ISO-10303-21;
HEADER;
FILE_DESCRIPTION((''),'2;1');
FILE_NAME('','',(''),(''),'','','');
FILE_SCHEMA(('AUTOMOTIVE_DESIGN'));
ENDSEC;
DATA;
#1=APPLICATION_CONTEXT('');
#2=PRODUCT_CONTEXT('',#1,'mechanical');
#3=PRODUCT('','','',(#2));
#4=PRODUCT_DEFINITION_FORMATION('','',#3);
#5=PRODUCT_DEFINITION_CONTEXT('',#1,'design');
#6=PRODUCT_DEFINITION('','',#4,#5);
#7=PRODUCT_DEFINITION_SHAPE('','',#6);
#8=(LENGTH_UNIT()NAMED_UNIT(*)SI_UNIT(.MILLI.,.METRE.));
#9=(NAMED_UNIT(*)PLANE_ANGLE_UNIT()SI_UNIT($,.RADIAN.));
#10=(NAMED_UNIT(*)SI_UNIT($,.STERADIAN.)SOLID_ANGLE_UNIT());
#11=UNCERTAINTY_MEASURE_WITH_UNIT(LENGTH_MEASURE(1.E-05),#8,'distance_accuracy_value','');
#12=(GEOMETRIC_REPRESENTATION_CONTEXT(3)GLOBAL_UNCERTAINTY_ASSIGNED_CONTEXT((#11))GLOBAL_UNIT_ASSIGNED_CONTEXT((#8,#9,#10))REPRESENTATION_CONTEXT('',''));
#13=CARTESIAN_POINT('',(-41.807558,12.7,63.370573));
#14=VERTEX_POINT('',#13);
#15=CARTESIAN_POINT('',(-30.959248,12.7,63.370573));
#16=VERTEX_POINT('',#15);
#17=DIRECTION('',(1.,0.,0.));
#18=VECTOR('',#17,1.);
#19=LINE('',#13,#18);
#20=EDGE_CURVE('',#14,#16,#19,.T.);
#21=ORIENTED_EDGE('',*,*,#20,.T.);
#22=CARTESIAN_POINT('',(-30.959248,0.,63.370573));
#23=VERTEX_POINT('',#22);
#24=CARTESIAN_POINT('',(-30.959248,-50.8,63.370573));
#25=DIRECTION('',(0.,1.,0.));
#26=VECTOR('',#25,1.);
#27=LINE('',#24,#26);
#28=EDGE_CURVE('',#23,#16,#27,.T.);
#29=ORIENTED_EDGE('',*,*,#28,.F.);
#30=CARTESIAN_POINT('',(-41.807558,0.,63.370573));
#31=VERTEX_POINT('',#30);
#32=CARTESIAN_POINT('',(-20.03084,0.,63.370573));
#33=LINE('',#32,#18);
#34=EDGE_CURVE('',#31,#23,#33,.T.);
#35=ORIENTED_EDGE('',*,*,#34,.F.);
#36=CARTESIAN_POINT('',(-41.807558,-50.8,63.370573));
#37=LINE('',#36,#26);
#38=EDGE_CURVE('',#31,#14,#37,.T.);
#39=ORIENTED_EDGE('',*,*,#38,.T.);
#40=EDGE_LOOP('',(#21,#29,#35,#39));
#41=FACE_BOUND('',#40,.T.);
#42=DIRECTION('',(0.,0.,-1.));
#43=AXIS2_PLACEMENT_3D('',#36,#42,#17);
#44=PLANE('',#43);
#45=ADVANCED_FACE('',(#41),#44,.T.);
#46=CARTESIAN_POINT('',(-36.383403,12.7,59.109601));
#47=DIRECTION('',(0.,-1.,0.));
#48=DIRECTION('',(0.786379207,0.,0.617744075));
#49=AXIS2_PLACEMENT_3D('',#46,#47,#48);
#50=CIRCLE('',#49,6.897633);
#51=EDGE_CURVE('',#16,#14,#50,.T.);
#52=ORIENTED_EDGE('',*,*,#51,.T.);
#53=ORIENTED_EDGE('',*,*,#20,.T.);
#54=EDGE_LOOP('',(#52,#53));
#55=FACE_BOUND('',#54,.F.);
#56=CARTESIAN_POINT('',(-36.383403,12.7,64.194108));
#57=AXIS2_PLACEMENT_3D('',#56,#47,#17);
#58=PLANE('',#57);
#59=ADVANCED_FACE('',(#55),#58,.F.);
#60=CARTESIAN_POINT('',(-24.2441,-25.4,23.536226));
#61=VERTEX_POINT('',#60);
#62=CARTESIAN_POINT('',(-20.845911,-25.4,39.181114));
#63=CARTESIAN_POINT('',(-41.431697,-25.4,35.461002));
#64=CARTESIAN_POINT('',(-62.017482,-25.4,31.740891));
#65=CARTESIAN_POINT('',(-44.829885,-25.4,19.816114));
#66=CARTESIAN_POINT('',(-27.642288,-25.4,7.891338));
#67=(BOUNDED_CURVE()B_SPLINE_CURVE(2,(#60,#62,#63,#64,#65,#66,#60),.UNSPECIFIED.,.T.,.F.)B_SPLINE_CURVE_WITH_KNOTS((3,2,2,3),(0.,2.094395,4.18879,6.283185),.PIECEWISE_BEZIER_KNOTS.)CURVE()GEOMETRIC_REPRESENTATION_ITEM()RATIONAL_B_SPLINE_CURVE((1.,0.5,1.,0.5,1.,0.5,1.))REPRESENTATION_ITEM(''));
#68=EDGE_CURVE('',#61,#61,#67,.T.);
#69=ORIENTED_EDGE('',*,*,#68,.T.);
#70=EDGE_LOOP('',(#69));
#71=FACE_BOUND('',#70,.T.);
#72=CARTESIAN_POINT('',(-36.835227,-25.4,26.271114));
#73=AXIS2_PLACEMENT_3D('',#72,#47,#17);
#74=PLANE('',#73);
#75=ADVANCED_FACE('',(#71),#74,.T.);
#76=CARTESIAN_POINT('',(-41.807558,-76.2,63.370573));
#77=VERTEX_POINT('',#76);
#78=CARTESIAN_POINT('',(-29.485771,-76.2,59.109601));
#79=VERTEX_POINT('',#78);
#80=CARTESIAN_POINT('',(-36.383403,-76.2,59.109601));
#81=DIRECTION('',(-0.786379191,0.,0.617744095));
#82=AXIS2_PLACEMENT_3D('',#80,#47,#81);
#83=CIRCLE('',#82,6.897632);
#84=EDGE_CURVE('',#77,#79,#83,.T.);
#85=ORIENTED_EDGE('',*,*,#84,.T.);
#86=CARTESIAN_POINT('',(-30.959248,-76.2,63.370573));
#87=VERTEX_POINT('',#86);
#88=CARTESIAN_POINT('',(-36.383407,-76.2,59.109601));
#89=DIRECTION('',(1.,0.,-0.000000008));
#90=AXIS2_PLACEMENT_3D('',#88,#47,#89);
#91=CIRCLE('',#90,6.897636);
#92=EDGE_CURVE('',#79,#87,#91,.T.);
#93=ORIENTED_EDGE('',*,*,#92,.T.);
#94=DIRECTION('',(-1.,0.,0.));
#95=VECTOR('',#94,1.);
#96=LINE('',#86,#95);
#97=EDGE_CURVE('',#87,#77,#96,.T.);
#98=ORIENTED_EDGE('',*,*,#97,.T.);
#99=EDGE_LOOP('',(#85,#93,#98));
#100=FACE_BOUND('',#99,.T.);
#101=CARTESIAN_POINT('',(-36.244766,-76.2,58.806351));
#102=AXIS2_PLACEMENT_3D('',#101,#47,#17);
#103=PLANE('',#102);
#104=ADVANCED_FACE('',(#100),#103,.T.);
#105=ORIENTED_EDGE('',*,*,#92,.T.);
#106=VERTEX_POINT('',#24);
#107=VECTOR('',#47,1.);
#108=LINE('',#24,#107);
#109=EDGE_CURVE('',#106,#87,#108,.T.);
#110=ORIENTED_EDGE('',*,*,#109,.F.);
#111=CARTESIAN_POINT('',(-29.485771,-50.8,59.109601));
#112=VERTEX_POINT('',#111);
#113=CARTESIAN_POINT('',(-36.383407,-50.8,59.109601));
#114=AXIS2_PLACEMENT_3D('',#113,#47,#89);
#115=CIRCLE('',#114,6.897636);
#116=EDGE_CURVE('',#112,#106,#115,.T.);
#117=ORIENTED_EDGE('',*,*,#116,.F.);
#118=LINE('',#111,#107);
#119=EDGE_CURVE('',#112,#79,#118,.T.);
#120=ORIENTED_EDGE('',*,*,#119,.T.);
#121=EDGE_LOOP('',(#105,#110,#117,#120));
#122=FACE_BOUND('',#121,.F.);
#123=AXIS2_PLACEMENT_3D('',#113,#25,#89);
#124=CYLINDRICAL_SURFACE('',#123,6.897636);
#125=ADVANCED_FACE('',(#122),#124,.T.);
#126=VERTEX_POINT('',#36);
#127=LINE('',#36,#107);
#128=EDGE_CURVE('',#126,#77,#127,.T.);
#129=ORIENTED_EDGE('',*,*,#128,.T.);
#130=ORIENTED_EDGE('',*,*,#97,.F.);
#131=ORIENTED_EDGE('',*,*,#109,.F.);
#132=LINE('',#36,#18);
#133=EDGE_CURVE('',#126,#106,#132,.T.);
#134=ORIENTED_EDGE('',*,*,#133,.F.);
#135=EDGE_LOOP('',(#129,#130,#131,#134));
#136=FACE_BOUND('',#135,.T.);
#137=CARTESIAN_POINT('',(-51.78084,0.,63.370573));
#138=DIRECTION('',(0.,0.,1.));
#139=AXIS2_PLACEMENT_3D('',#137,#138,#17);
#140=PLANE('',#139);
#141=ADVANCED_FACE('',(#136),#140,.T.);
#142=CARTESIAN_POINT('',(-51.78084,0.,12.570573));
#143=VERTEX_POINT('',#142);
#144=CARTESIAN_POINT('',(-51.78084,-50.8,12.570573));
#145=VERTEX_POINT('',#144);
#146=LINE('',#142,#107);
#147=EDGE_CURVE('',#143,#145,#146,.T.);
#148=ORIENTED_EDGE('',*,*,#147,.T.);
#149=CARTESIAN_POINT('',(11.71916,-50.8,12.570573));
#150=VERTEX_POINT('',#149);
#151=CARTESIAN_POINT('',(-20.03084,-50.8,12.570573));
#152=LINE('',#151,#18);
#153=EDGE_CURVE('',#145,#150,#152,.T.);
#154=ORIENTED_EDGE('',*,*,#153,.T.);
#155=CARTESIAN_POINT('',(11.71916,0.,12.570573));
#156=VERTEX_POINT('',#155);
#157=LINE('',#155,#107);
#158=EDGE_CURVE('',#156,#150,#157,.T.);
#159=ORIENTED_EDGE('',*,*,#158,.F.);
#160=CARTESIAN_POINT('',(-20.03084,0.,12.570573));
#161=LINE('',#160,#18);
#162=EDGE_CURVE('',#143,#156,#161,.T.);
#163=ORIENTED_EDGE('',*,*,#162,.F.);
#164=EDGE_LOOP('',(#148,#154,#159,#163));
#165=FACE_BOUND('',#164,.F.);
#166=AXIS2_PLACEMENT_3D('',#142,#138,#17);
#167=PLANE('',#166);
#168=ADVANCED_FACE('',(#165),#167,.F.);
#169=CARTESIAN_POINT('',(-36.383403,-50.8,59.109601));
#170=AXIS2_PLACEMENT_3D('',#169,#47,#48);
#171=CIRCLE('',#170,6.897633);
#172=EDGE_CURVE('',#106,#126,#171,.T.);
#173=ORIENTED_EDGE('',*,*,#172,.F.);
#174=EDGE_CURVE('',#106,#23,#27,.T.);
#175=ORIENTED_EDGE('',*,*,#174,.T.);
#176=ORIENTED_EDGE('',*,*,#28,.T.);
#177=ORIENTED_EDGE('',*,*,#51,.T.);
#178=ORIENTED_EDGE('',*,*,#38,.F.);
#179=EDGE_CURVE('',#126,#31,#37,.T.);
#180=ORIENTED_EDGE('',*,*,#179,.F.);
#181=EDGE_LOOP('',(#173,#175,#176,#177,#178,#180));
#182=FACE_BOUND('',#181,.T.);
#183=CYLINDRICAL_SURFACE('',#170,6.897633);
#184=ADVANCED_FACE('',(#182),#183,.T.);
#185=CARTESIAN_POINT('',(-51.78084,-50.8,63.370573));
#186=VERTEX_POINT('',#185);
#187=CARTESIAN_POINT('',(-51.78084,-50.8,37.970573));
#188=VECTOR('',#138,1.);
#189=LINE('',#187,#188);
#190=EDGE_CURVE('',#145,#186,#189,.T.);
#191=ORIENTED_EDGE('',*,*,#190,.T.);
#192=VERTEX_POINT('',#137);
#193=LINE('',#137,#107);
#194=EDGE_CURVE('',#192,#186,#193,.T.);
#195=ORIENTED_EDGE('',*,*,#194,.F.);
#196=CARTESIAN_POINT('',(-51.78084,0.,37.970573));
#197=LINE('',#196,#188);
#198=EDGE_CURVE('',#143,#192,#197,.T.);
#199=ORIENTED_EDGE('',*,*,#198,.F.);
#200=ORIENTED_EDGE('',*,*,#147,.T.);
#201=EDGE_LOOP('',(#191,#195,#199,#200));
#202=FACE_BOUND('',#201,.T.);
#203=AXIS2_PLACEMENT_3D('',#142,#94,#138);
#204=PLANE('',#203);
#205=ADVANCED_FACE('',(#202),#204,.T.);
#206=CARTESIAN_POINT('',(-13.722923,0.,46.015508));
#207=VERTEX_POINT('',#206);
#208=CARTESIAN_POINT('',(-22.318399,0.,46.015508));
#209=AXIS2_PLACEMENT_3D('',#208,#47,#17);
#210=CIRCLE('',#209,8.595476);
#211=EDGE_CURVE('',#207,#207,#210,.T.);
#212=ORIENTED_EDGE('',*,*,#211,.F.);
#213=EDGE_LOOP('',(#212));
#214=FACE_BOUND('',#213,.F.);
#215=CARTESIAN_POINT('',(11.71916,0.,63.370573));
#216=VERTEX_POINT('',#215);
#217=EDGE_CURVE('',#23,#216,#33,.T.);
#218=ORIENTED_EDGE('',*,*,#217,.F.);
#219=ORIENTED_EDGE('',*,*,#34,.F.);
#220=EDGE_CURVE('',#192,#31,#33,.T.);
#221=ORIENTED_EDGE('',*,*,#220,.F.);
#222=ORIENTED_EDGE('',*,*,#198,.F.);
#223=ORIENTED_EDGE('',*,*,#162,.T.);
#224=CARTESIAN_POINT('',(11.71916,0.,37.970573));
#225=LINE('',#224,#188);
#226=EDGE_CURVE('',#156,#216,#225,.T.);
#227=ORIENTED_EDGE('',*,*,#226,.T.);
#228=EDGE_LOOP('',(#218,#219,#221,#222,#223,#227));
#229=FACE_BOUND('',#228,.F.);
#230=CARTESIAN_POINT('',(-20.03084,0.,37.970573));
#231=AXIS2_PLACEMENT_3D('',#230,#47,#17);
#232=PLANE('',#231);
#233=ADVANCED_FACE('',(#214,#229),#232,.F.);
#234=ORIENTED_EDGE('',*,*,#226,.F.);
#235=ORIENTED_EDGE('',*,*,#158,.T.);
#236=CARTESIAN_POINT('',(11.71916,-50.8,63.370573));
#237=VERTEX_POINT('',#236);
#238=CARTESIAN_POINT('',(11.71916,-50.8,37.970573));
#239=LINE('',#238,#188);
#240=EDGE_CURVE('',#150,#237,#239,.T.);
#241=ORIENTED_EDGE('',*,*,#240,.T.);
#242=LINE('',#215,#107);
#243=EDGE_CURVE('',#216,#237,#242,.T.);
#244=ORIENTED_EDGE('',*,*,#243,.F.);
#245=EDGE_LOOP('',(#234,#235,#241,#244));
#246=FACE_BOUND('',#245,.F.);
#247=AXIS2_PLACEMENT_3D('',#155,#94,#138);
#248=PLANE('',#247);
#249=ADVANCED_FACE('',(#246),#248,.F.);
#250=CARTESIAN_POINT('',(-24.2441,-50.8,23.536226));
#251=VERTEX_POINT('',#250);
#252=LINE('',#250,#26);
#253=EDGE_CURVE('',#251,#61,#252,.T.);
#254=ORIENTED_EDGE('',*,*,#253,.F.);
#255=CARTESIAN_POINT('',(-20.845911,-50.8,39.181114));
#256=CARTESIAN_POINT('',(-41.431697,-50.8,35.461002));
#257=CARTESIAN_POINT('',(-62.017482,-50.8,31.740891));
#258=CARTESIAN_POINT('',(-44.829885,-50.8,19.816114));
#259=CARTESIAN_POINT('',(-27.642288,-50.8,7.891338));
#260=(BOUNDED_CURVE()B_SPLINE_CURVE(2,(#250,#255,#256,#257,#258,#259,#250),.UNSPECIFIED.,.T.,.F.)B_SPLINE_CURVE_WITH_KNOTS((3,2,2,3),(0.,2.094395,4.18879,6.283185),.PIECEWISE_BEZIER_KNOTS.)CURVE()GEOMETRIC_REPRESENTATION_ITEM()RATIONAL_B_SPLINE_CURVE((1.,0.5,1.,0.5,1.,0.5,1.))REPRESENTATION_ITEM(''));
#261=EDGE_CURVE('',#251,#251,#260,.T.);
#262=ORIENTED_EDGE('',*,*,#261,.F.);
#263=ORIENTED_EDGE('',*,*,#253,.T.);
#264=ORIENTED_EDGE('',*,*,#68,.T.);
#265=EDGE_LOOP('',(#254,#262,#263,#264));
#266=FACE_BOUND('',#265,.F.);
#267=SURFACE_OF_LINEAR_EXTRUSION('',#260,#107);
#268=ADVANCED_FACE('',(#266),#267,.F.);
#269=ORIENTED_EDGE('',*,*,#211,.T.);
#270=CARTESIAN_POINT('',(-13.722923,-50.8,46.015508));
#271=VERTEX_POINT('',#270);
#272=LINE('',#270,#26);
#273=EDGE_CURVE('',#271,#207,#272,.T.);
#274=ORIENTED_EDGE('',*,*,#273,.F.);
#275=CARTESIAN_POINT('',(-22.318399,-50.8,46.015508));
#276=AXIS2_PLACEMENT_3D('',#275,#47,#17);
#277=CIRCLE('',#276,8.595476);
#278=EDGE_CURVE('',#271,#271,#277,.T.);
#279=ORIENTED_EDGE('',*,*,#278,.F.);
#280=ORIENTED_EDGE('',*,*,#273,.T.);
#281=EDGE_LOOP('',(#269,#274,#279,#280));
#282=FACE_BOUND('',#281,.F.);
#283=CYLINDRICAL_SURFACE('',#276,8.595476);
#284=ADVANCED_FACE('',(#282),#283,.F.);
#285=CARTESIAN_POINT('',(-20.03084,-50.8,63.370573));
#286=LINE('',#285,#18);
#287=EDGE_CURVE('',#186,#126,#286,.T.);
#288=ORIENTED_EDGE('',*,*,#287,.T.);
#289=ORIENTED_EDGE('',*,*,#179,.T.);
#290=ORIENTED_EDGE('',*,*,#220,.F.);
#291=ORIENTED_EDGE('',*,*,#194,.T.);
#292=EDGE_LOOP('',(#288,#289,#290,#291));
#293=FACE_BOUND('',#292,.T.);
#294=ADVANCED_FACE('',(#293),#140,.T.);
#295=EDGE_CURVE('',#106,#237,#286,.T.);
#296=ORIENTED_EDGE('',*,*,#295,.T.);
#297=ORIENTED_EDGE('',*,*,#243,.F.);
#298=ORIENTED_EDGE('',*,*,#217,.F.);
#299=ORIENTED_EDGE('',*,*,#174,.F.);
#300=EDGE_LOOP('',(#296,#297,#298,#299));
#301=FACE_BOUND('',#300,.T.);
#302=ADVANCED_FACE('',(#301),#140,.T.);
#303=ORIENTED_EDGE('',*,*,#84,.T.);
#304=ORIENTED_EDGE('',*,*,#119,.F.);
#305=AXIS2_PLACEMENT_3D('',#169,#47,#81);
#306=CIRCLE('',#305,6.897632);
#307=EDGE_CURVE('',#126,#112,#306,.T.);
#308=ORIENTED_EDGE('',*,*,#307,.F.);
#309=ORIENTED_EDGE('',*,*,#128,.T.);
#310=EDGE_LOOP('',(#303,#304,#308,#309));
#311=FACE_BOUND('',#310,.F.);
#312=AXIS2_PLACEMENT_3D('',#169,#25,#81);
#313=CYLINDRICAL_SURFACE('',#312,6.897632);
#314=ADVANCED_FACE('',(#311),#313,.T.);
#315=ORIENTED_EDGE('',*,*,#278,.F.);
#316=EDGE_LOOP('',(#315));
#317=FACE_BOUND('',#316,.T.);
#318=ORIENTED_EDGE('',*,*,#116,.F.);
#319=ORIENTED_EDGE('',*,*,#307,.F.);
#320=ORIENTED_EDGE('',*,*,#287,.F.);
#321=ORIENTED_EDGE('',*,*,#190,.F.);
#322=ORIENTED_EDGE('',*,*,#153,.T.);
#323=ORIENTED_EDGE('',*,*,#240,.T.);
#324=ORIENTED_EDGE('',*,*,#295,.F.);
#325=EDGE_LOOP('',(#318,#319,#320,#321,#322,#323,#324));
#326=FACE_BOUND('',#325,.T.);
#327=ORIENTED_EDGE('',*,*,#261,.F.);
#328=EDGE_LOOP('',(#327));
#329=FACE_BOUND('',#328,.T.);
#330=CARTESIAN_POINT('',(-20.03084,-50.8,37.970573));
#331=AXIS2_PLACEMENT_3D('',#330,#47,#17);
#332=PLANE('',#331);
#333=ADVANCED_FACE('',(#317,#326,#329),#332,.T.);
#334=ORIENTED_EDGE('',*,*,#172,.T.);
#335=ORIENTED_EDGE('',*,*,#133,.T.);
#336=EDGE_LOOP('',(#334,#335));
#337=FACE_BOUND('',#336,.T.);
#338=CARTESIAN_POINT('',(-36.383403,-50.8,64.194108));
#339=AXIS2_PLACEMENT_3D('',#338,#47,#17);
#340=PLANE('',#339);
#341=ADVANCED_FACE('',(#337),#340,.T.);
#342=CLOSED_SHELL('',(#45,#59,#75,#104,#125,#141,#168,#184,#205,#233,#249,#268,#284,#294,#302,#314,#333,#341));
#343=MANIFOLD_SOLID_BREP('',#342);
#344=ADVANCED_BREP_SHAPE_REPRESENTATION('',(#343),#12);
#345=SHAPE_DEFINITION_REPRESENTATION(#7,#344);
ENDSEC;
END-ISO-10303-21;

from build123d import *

# Parameters (mm, degrees)
F0_W     = 63.5
F0_H     = 50.8
F1_DEPTH = 50.8
F3_DEPTH = 25.4
F2_R     = 8.595476
F4_DEPTH = 50.8
F5_DEPTH = 25.4
F6_DEPTH = 63.5


with BuildPart() as f1:
    # F0 (on Front) → F1 (new body)
    with BuildSketch(Plane.XZ):
        with Locations((-20.03084, 37.970573)):
            Rectangle(F0_W, F0_H)
    extrude(amount=F1_DEPTH)

    # F2 (on face) → F3 (join)
    with BuildSketch(Plane.XZ.offset(50.8)):
        with BuildLine():
            ThreePointArc((-41.807558, 63.370573), (-38.637678, 52.590738), (-29.485771, 59.109601))
            ThreePointArc((-29.485771, 59.109601), (-29.86454, 61.363876), (-30.959248, 63.370573))
            Line((-30.959248, 63.370573), (-41.807558, 63.370573))
        make_face()
    extrude(amount=F3_DEPTH)

    # F2 (on face) → F4 (cut)
    with BuildSketch(Plane.XZ.offset(50.8)):
        with Locations((-22.318399, 46.015508)):
            Circle(F2_R)
    extrude(amount=-F4_DEPTH, mode=Mode.SUBTRACT)

    # F2 (on face) → F5 (cut)
    with BuildSketch(Plane.XZ.offset(50.8)):
        with BuildLine():
            add(Edge.make_bspline(
                [(-24.2441, 23.536226), (-20.845911, 39.181114), (-41.431697, 35.461002), (-62.017482, 31.740891), (-44.829885, 19.816114), (-27.642288, 7.891338), (-24.2441, 23.536226)],
                knots=[0, 0, 0, 2.094395, 2.094395, 4.18879, 4.18879, 6.283185, 6.283185, 6.283185], degree=2, weights=[1, 0.5, 1, 0.5, 1, 0.5, 1]))
        make_face()
    extrude(amount=-F5_DEPTH, mode=Mode.SUBTRACT)

    # F2 (on face) → F6 (join)
    with BuildSketch(Plane.XZ.offset(50.8)):
        with BuildLine():
            Line((-41.807558, 63.370573), (-30.959248, 63.370573))
            ThreePointArc((-30.959248, 63.370573), (-36.383403, 66.007234), (-41.807558, 63.370573))
        make_face()
    extrude(amount=-F6_DEPTH)


solid = f1.part
